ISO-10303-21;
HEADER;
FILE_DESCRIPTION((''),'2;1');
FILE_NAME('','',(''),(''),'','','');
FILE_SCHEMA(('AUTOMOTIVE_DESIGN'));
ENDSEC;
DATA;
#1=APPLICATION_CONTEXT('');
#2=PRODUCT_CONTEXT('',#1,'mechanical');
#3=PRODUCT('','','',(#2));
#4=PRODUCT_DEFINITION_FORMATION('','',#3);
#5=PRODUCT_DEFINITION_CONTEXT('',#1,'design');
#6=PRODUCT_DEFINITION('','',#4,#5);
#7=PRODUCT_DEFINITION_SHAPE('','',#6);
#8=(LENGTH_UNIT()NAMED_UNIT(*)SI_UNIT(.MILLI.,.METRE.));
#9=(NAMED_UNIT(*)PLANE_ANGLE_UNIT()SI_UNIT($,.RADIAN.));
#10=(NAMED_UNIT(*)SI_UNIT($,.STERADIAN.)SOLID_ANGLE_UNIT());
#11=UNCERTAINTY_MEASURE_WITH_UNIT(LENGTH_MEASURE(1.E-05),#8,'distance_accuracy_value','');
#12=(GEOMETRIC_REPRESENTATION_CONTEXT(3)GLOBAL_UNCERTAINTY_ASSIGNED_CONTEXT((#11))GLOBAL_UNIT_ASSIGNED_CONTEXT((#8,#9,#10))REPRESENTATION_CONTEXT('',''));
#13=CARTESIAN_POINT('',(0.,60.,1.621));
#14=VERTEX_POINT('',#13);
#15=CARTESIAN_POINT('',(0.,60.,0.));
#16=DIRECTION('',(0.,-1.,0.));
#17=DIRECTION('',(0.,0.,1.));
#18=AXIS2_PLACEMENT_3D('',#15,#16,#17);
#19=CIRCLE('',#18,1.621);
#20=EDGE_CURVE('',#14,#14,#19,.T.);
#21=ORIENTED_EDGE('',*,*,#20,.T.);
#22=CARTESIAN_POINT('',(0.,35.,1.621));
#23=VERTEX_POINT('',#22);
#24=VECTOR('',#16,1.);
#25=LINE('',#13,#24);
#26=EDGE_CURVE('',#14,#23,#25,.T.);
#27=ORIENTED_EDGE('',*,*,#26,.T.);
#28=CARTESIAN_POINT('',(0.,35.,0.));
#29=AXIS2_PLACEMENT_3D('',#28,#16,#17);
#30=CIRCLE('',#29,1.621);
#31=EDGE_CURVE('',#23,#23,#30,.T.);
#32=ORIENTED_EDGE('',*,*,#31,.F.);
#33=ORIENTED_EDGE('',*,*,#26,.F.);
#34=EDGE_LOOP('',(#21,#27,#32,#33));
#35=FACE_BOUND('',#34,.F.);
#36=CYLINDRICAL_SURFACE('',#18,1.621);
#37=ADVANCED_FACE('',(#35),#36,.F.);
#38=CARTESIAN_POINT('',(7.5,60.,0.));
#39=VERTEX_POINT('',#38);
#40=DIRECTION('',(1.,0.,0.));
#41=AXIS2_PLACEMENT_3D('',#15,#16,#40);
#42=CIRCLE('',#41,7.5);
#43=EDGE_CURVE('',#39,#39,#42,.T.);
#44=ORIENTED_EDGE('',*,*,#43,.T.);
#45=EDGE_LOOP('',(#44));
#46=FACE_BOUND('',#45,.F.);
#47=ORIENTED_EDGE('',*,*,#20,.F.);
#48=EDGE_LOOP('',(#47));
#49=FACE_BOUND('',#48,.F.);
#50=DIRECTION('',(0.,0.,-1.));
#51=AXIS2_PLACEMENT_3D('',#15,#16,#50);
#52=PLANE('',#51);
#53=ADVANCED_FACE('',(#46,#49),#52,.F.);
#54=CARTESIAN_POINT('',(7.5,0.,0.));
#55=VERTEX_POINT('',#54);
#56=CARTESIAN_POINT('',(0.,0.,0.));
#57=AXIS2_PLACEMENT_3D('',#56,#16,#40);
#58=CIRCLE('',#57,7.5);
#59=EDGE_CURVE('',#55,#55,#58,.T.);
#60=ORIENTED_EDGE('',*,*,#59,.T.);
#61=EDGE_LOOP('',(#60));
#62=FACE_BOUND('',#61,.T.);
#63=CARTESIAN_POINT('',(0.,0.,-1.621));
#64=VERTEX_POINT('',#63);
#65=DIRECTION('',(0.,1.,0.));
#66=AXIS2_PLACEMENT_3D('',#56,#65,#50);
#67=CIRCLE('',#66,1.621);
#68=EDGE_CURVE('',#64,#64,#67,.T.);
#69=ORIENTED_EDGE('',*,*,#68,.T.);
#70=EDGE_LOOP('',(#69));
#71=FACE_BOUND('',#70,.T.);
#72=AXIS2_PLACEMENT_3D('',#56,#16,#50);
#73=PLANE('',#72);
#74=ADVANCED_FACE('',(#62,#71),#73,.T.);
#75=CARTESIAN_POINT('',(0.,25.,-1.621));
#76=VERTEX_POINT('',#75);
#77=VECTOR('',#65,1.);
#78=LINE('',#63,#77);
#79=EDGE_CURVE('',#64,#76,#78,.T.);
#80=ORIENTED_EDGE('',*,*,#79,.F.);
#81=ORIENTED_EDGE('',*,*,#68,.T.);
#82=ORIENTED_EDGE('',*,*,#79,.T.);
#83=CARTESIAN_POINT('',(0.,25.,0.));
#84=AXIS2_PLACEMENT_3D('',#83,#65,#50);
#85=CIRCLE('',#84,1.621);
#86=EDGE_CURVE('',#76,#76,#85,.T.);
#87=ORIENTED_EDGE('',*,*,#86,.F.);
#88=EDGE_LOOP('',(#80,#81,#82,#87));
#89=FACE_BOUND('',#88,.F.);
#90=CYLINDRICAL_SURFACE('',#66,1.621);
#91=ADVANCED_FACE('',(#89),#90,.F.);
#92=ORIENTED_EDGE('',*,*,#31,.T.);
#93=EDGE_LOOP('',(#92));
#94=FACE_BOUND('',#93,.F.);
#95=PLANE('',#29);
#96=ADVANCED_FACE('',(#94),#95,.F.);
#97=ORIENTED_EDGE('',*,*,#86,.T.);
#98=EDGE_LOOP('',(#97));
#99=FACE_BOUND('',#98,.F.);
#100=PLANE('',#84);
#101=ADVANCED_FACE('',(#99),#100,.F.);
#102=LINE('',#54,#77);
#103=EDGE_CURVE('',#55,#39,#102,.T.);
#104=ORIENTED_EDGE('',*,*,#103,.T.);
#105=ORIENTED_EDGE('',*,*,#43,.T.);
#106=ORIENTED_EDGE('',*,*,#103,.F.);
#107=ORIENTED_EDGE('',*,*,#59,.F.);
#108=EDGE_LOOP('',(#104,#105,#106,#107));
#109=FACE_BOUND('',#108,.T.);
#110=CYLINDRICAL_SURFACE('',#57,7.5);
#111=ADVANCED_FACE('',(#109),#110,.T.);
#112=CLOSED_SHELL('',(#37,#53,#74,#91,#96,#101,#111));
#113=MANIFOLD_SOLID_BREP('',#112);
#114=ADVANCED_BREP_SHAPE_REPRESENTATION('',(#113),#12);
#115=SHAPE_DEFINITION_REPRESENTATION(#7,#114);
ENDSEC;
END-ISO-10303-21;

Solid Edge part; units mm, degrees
sketch "Sketch1" plane through (60.3162, 0, 60.3162) normal (0, -1, 0) x (1, 0, 0)
  circle A0 centre (-60.3162, -60.3162) radius 7.5
extrude "Protrusion1" add sketch "Sketch1" against normal blind 60
hole "Bohrung_1" at (0, 0, 0) direction (0, 1, 0) diameter 3.242 depth 25 thread major 4 thread length 20
hole "Bohrung_2" at (0, 60, 0) direction (0, -1, 0) diameter 3.242 depth 25 thread major 4 thread length 20
properties material "Aluminium, 1060"
